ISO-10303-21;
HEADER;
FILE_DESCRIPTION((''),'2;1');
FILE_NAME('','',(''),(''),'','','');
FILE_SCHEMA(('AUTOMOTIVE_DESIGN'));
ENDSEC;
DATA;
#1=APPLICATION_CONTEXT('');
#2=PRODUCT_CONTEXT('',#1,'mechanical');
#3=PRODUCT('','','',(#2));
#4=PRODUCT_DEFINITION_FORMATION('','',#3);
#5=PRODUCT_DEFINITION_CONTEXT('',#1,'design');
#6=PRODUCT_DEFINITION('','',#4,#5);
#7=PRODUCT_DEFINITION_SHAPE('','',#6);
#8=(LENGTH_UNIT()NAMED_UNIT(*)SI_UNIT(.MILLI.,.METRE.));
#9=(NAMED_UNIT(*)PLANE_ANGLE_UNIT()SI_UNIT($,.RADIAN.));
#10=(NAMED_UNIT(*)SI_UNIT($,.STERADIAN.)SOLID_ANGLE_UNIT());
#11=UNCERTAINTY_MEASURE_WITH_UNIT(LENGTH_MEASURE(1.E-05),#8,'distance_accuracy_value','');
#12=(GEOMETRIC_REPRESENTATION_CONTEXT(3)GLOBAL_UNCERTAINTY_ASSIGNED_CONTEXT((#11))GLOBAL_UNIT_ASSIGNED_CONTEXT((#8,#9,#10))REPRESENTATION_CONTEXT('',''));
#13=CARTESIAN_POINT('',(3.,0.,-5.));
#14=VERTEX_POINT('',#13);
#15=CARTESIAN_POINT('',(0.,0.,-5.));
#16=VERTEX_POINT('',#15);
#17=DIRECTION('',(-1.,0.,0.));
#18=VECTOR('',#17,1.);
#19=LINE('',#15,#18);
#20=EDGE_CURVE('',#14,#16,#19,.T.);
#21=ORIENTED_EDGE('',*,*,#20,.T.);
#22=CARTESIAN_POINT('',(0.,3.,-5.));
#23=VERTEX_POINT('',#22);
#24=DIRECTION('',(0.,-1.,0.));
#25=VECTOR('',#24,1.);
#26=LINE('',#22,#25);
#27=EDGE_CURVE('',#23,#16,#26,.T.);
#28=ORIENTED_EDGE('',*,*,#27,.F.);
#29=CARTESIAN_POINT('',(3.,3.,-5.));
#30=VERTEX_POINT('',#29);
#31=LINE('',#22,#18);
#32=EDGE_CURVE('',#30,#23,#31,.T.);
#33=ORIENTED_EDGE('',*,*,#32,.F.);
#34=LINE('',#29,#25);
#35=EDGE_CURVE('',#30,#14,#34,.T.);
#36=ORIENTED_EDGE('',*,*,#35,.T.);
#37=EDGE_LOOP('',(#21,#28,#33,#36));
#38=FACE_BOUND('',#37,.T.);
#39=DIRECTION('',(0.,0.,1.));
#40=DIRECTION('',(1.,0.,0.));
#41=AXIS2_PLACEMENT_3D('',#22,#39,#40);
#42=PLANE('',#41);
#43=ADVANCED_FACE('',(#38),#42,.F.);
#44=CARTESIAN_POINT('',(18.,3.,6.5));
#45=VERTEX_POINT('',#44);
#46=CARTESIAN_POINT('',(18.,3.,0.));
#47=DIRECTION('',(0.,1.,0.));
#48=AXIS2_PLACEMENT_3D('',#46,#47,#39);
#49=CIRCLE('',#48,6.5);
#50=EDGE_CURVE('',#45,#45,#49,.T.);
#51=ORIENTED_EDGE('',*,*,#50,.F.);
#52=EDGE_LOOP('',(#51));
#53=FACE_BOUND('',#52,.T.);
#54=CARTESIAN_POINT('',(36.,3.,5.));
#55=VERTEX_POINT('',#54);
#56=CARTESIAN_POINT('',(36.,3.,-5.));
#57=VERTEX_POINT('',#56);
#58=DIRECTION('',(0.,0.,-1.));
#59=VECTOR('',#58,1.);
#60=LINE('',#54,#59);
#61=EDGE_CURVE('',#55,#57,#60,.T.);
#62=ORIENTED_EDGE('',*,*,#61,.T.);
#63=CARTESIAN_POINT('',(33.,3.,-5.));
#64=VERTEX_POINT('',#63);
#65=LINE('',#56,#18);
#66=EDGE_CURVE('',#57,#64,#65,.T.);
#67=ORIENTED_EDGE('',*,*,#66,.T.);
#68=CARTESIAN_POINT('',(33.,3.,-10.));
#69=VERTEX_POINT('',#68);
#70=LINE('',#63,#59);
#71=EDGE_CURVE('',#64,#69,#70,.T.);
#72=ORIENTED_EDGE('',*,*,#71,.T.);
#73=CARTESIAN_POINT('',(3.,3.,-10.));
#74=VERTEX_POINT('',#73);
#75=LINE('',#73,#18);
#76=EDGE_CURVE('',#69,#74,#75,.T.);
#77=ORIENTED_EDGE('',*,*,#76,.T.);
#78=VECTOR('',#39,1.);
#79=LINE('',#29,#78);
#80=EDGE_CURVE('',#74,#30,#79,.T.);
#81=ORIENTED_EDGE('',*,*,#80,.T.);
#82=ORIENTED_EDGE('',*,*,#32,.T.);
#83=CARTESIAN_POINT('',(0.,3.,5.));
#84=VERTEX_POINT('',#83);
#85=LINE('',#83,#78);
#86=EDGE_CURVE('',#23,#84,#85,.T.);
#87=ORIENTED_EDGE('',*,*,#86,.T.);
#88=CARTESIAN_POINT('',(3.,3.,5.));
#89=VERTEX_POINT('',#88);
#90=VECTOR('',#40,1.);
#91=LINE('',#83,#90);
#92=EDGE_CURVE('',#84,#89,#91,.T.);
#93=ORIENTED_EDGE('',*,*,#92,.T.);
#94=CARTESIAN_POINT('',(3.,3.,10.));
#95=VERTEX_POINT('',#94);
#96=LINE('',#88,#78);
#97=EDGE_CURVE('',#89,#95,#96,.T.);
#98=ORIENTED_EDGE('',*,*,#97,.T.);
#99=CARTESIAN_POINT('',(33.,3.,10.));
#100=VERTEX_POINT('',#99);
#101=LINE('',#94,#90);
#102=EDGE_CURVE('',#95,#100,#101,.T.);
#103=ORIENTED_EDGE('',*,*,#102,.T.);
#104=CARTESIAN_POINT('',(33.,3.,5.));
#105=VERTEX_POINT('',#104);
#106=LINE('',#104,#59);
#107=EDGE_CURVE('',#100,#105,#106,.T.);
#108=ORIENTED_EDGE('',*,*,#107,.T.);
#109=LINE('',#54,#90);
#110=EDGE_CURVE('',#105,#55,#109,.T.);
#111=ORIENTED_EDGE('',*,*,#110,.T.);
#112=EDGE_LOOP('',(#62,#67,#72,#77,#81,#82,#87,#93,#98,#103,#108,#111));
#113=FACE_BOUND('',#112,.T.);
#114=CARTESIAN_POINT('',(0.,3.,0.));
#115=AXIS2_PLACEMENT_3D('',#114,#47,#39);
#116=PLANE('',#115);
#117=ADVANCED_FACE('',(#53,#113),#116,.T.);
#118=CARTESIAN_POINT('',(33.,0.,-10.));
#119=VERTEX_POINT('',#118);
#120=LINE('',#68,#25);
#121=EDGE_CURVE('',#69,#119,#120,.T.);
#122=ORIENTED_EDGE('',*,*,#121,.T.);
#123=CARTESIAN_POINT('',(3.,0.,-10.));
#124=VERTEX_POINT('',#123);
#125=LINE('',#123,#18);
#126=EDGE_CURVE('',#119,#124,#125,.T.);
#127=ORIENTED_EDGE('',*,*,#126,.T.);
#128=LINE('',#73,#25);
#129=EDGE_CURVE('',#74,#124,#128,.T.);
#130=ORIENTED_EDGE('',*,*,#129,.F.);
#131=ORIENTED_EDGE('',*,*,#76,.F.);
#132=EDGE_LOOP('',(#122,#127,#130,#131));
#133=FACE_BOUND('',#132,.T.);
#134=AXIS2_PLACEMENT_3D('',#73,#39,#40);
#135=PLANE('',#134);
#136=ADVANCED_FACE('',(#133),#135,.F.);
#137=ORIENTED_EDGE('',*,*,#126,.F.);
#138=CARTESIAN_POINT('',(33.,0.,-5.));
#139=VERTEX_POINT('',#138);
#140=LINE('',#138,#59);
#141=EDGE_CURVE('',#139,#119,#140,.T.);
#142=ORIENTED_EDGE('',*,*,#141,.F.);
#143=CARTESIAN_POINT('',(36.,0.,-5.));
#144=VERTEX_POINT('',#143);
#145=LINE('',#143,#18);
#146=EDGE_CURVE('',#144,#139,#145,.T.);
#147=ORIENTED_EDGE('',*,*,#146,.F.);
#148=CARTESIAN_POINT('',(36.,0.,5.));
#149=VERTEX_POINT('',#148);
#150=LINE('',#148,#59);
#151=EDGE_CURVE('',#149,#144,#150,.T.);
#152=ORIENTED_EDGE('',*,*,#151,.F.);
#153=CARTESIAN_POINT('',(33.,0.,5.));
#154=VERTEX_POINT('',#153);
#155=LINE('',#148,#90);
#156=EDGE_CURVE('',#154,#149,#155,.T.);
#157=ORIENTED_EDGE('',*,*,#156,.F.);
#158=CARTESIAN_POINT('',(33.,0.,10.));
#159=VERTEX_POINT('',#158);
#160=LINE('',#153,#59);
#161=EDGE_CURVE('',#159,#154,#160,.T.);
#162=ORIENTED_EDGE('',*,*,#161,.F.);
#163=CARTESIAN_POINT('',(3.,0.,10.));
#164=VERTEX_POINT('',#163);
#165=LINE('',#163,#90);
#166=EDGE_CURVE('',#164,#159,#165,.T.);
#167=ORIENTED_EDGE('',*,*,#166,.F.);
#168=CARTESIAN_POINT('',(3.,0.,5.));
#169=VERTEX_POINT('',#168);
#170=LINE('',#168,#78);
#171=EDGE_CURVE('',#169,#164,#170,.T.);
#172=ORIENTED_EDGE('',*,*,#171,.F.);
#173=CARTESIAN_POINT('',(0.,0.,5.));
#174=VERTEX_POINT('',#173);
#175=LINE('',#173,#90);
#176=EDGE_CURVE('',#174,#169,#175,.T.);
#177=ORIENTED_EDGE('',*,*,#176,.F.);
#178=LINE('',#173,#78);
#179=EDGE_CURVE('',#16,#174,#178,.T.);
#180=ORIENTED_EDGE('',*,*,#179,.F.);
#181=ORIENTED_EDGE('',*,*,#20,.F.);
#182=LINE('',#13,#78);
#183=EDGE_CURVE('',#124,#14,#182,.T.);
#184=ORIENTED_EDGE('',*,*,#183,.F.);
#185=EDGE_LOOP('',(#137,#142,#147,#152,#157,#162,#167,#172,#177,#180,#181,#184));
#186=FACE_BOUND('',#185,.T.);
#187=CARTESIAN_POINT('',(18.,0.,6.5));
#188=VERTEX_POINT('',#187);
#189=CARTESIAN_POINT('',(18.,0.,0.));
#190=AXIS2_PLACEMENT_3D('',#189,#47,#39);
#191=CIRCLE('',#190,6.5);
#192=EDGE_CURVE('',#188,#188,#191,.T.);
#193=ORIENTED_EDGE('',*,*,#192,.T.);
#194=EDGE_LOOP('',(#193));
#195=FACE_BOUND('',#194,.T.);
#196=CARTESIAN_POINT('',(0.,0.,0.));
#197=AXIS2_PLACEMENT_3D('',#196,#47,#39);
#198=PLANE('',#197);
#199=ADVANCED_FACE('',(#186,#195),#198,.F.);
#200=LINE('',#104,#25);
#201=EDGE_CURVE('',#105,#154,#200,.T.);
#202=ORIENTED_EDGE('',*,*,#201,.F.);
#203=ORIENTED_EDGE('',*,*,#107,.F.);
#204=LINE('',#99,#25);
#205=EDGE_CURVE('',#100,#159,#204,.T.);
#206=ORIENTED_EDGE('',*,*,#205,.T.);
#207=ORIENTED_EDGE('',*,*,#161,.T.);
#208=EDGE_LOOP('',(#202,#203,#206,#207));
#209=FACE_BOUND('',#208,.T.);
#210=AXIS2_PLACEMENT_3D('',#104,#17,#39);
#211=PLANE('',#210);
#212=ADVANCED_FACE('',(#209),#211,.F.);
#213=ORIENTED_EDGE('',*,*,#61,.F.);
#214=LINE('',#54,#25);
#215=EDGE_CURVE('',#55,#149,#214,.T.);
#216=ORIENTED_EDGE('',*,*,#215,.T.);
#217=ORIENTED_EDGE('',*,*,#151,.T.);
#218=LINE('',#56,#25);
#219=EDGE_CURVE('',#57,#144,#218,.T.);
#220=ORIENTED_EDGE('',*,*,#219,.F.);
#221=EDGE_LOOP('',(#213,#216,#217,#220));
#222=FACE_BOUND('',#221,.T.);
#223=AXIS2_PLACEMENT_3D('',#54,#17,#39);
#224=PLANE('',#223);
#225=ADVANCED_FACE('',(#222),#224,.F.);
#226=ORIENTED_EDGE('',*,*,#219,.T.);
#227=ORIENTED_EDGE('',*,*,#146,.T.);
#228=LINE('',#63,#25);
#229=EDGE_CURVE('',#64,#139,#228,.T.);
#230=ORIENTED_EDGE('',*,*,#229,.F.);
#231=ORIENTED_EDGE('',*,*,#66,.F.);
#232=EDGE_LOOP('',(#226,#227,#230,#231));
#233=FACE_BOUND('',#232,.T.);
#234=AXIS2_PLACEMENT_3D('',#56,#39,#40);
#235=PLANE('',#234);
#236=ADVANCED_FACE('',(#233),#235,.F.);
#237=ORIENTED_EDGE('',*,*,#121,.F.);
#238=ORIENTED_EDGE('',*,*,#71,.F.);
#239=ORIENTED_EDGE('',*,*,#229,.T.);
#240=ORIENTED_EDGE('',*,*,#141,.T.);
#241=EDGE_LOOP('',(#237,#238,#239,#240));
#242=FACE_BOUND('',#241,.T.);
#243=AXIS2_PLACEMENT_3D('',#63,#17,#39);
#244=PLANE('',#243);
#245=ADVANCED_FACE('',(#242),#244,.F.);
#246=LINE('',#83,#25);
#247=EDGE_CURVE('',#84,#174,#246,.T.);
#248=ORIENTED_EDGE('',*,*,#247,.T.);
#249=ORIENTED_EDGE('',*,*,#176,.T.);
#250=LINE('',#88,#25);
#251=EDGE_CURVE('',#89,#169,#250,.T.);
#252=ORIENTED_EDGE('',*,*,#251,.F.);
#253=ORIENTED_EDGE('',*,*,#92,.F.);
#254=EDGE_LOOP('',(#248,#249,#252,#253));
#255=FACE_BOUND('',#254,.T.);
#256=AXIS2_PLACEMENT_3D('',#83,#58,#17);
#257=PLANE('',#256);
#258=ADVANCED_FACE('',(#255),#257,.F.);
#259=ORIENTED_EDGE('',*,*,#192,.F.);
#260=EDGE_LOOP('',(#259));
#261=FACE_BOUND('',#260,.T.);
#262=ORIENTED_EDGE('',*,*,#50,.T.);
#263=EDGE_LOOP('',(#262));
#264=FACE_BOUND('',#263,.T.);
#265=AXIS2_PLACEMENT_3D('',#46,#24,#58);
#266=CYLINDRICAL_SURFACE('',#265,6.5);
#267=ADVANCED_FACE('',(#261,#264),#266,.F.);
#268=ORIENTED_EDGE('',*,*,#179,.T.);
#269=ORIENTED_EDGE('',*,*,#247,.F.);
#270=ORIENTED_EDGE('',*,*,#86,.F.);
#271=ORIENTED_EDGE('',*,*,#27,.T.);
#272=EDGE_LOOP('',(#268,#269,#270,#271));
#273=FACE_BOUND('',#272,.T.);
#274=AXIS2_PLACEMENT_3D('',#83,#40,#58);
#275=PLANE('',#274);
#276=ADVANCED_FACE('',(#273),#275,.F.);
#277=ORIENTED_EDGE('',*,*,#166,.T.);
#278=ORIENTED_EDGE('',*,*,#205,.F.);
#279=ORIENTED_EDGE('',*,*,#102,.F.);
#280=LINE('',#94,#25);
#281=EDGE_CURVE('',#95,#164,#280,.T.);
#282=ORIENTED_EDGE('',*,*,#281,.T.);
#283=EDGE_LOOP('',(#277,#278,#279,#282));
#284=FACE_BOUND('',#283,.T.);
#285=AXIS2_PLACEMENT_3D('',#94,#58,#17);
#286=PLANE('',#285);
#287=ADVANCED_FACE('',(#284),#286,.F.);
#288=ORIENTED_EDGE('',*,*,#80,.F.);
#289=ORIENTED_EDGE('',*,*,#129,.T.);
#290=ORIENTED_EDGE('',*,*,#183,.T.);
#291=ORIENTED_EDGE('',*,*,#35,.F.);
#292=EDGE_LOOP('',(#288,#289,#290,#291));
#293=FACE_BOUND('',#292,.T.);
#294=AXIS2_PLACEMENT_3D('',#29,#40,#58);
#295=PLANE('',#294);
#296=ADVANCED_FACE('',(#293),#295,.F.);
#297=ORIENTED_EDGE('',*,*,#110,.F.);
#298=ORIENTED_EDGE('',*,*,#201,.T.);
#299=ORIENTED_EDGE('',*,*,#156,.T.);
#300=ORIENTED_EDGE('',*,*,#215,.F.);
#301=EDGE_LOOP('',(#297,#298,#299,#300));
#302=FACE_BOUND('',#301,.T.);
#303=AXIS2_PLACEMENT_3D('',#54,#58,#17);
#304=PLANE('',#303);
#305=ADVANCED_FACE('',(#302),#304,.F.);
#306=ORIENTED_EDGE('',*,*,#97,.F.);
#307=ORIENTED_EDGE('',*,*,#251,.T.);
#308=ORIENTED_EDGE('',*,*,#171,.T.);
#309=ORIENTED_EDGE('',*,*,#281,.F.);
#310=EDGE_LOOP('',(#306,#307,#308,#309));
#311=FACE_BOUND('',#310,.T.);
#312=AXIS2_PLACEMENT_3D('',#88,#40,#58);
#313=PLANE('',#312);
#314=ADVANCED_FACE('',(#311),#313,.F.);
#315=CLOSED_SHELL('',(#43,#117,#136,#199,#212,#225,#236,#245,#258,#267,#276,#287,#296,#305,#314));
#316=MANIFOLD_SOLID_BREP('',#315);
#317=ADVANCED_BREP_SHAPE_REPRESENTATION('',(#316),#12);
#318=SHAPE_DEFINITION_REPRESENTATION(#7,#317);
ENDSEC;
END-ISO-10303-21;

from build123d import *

# Parameters (mm, degrees)
CROQUIS1_R              = 6.5
SALIENTE_EXTRUIR1_DEPTH = 3


with BuildPart() as part:
    # Croquis1 → Saliente-Extruir1 (new body)
    with BuildSketch(Plane(origin=(0, 0, 0), x_dir=(1, 0, 0), z_dir=(0, 1, 0))):
        Polygon((0, -5), (0, 5), (3, 5), (3, 10), (33, 10), (33, 5), (36, 5), (36, -5), (33, -5), (33, -10), (3, -10), (3, -5), align=None)
        with Locations(Location((18, 0, 0), (0, 0, 270))):
            Circle(CROQUIS1_R, mode=Mode.SUBTRACT)
    extrude(amount=SALIENTE_EXTRUIR1_DEPTH)


solid = part.part
